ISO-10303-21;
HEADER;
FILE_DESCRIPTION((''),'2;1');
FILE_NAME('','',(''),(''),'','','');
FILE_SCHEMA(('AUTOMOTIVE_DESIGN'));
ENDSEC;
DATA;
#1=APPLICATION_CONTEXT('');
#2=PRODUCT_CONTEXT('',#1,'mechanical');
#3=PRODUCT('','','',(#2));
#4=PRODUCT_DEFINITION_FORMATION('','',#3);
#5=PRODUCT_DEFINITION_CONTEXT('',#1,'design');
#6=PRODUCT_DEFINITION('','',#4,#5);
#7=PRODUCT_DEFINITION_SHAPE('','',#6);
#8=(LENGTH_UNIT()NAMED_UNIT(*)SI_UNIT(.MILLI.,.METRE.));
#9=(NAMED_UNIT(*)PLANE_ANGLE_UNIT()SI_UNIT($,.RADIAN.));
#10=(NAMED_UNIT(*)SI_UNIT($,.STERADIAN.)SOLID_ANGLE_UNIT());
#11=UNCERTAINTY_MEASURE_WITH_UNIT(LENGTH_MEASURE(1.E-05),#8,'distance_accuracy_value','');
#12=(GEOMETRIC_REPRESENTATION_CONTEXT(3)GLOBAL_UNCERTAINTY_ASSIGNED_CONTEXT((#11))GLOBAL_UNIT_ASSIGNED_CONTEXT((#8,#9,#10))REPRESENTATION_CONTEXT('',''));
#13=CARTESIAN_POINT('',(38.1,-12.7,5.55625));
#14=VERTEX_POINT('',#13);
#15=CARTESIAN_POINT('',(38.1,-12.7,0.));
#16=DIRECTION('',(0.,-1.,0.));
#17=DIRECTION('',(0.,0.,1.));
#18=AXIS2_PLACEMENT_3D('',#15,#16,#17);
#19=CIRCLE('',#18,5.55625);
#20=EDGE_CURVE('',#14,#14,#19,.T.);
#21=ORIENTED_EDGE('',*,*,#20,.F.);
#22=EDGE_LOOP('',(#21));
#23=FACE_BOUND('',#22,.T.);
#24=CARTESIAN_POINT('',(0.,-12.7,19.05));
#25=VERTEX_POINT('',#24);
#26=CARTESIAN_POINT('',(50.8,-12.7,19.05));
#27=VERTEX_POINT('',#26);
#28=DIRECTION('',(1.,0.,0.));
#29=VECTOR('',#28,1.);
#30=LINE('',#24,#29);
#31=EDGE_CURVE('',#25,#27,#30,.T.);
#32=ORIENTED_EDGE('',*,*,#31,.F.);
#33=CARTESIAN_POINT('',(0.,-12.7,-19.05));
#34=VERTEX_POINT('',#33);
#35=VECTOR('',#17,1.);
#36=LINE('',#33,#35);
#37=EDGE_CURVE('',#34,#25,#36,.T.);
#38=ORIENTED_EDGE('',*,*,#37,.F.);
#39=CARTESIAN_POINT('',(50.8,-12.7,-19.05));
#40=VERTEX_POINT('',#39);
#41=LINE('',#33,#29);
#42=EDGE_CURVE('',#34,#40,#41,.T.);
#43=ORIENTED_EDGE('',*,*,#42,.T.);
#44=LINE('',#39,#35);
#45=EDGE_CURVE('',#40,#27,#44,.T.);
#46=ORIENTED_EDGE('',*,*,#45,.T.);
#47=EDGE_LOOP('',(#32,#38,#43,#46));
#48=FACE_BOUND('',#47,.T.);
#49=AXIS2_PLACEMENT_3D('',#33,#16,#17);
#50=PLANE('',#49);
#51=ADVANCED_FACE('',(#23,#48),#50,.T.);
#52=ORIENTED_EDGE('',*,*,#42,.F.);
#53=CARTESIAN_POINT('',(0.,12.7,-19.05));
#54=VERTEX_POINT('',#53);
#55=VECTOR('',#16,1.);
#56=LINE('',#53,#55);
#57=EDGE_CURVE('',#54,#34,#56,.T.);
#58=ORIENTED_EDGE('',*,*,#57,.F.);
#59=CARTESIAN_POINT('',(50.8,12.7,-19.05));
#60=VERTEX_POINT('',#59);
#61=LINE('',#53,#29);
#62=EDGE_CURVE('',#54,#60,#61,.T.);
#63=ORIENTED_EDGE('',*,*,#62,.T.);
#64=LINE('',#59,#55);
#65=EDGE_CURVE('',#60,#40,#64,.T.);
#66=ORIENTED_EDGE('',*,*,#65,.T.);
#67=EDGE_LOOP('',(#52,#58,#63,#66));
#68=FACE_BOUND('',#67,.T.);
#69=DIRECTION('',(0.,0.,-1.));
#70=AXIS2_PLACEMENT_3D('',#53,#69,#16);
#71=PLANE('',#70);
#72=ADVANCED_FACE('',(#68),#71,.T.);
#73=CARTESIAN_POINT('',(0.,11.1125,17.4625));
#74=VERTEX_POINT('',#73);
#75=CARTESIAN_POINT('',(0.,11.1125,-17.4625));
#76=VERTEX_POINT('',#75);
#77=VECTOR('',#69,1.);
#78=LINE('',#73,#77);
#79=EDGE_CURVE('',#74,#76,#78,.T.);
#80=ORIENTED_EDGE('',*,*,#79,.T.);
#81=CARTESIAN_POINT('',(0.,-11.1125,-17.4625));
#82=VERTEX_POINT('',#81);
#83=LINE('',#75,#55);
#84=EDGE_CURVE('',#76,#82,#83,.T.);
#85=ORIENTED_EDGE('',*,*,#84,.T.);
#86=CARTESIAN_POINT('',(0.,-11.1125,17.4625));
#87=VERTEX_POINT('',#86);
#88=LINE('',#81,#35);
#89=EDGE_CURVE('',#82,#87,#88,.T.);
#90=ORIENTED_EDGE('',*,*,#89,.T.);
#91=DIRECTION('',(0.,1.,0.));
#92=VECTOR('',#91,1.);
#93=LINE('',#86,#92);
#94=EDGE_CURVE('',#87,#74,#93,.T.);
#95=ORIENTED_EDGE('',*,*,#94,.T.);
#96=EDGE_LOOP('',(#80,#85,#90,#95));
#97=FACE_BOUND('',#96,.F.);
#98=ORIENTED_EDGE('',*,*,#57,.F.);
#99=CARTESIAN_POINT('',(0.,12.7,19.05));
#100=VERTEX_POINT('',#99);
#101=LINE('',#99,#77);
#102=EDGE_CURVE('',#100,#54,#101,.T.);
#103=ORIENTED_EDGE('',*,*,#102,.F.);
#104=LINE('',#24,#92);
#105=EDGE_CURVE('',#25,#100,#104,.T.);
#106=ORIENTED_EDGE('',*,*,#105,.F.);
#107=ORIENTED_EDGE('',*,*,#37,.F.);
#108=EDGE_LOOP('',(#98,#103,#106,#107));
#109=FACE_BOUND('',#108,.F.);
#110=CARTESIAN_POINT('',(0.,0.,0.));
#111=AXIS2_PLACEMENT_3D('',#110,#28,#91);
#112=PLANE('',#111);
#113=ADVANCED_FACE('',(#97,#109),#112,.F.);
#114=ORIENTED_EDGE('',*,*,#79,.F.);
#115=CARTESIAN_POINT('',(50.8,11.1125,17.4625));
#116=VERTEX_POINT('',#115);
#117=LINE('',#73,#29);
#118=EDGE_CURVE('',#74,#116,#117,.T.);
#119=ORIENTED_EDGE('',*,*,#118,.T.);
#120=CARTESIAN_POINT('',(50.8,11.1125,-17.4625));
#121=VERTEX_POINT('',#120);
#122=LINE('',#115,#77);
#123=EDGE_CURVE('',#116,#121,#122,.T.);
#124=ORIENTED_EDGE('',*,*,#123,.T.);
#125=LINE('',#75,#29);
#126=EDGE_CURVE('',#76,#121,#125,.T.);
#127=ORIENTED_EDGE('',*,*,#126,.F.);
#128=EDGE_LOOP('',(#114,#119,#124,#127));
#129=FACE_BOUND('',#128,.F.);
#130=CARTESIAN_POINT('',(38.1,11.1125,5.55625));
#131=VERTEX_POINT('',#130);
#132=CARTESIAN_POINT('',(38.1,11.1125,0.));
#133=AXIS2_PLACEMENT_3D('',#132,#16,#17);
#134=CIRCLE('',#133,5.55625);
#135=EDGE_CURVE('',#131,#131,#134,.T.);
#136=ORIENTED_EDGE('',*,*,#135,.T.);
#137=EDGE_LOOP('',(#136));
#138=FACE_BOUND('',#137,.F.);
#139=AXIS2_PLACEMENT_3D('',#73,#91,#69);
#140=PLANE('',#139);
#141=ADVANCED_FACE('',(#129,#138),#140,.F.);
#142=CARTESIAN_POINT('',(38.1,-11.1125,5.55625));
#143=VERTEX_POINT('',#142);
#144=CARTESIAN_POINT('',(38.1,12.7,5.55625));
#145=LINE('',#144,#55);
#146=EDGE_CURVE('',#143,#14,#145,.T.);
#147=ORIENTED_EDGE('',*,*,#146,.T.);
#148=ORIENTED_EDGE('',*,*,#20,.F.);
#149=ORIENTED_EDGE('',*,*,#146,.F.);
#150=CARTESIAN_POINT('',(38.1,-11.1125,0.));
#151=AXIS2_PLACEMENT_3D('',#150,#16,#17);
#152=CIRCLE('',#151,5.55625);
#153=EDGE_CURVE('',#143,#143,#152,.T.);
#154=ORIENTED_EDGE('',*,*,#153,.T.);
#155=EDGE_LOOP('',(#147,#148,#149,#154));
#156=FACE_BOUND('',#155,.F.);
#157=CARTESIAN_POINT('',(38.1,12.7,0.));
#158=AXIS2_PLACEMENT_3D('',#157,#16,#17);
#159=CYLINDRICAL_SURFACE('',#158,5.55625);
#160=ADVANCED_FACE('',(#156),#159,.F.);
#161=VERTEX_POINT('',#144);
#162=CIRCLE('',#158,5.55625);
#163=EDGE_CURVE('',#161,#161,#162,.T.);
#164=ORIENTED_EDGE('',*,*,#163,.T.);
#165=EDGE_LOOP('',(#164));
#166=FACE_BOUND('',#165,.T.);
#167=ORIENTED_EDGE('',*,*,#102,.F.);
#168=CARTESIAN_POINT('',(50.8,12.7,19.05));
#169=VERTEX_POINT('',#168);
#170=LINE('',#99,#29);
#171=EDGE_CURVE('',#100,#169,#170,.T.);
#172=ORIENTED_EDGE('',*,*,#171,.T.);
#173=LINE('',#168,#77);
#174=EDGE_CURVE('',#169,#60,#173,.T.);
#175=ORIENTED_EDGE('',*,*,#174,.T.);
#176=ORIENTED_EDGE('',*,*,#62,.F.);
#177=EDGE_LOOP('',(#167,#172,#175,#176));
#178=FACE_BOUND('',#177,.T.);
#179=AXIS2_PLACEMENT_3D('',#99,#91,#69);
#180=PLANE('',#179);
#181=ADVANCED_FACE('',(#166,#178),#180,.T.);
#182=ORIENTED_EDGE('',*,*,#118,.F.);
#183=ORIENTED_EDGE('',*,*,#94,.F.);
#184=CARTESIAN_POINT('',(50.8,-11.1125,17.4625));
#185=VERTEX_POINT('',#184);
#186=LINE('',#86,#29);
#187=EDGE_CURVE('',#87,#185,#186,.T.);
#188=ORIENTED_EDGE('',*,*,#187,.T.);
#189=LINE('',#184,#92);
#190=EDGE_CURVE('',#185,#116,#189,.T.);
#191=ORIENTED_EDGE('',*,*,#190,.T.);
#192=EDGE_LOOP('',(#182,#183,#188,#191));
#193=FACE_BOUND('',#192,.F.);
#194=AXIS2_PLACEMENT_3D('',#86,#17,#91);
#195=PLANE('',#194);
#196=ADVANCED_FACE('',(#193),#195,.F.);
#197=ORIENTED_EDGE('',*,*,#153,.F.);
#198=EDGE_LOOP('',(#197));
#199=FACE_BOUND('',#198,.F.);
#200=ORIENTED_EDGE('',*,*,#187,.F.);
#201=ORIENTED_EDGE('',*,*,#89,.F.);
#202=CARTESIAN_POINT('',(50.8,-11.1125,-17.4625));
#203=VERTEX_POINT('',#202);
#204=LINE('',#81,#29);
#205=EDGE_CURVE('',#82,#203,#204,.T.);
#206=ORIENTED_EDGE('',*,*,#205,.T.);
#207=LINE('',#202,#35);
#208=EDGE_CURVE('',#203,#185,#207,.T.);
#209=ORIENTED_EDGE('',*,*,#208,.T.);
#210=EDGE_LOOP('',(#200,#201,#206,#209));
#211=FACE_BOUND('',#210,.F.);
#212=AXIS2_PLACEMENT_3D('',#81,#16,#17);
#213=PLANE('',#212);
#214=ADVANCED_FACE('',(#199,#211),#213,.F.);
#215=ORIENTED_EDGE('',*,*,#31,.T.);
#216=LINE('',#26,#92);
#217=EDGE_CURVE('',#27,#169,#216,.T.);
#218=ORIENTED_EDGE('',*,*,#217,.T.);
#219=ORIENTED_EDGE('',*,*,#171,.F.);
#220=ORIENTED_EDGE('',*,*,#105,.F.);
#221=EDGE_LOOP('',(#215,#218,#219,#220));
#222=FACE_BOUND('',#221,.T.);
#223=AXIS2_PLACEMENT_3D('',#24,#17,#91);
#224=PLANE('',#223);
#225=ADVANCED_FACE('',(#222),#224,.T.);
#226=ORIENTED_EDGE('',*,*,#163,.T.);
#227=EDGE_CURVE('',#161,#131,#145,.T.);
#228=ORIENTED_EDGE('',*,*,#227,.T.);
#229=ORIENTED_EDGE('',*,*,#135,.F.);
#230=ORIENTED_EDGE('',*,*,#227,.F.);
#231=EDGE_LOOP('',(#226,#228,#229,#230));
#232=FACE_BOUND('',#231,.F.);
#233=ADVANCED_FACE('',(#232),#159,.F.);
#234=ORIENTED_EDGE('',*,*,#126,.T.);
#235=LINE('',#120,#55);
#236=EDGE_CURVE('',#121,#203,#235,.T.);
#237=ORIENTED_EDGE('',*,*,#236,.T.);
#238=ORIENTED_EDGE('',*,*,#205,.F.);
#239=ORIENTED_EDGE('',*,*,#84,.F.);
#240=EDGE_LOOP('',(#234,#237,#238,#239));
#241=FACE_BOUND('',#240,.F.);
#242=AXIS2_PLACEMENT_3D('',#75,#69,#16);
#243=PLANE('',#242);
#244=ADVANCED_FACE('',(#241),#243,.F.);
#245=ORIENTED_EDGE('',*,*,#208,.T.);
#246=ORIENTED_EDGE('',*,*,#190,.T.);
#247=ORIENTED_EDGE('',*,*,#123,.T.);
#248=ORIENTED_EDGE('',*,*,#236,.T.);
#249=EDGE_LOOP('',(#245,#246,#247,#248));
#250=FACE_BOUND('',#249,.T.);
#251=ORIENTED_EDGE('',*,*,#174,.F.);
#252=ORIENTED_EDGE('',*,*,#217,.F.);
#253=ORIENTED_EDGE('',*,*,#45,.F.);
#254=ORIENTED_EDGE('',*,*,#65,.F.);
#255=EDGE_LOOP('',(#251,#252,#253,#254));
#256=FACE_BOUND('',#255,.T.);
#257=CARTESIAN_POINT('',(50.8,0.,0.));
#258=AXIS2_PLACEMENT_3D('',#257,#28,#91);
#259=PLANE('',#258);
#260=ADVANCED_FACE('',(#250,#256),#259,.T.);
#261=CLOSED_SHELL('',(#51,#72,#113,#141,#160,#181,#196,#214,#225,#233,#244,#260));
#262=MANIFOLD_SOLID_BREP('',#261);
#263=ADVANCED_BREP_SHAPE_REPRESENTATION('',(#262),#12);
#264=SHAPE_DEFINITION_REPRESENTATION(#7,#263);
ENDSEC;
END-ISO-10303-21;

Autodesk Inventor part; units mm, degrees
ref_plane "Work Plane3" through (0, 12.7, 0) normal (0, 1, 0) x (-1, 0, 0)
ref_plane "Start Plane" through (0, 0, 0) normal (1, 0, 0) x (0, 1, 0)
ref_plane "End Plane" through (50.8, 0, 0) normal (1, 0, 0) x (0, 1, 0)
sketch "Sketch" plane through (0, 0, 0) normal (1, 0, 0) x (0, 1, 0)
  line L0 (-12.7, 19.05) -> (12.7, 19.05)
  line L1 (12.7, 19.05) -> (12.7, -19.05)
  line L2 (12.7, -19.05) -> (-12.7, -19.05)
  line L3 (-12.7, -19.05) -> (-12.7, 19.05)
  line L4 (-12.7, 19.05) -> (12.7, -19.05) construction
  line L5 (12.7, 19.05) -> (-12.7, -19.05) construction
  line L6 (-11.1125, 17.4625) -> (11.1125, 17.4625)
  line L7 (11.1125, 17.4625) -> (11.1125, -17.4625)
  line L8 (11.1125, -17.4625) -> (-11.1125, -17.4625)
  line L9 (-11.1125, -17.4625) -> (-11.1125, 17.4625)
  line L10 (-11.1125, 17.4625) -> (11.1125, -17.4625) construction
  line L11 (11.1125, 17.4625) -> (-11.1125, -17.4625) construction
  point P0 (0, 0)
  dimension "d0" = 38.1
  dimension "d1" = 25.4
  dimension "d2" = 1.5875
  dimension "d3" = 1.5875
extrude "Body" add sketch "Sketch" along normal up to surface (50.8 mm away) from surface at 0
sketch "Sketch8" plane through (0, 0, 0) normal (1, 0, 0) x (0, 1, 0)
  line L0 (0, 0) -> (10, 0)
ref_plane "Work Plane6" through (0, 0, 0) normal (0, 0, -1) x (0, 1, 0)
sketch "Sketch9" plane through (0, 0, 0) normal (0, 0, -1) x (0, 1, 0)
  line L0 (-17.78, 0) -> (17.78, 0)
  line L1 (-17.78, 50.8) -> (17.78, 50.8)
  dimension "d21" = 50.8
sketch "Sketch5" plane through (0, 12.7, -19.05) normal (0, 1, 0) x (1, 0, 0)
  line L0 (0, -38.1) -> (0, 0) projected
  point P0 (0, -19.05)
  point P1 (38.1, -19.05)
  dimension "d22" = 38.1
hole "Hole2" at (38.1, 12.7, 0) direction (0, -1, 0) diameter 11.1125 end through all
equation "\"d3\" = d2"
equation "\"G_OFFSET_START\" = 0"
equation "\"G_OFFSET_END\" = 0"
equation "\"d17\" = d4 + G_OFFSET_END"
equation "\"G_L\" = d21"
equation "\"d4\" = 50.8"
properties part number "1606067213073"
